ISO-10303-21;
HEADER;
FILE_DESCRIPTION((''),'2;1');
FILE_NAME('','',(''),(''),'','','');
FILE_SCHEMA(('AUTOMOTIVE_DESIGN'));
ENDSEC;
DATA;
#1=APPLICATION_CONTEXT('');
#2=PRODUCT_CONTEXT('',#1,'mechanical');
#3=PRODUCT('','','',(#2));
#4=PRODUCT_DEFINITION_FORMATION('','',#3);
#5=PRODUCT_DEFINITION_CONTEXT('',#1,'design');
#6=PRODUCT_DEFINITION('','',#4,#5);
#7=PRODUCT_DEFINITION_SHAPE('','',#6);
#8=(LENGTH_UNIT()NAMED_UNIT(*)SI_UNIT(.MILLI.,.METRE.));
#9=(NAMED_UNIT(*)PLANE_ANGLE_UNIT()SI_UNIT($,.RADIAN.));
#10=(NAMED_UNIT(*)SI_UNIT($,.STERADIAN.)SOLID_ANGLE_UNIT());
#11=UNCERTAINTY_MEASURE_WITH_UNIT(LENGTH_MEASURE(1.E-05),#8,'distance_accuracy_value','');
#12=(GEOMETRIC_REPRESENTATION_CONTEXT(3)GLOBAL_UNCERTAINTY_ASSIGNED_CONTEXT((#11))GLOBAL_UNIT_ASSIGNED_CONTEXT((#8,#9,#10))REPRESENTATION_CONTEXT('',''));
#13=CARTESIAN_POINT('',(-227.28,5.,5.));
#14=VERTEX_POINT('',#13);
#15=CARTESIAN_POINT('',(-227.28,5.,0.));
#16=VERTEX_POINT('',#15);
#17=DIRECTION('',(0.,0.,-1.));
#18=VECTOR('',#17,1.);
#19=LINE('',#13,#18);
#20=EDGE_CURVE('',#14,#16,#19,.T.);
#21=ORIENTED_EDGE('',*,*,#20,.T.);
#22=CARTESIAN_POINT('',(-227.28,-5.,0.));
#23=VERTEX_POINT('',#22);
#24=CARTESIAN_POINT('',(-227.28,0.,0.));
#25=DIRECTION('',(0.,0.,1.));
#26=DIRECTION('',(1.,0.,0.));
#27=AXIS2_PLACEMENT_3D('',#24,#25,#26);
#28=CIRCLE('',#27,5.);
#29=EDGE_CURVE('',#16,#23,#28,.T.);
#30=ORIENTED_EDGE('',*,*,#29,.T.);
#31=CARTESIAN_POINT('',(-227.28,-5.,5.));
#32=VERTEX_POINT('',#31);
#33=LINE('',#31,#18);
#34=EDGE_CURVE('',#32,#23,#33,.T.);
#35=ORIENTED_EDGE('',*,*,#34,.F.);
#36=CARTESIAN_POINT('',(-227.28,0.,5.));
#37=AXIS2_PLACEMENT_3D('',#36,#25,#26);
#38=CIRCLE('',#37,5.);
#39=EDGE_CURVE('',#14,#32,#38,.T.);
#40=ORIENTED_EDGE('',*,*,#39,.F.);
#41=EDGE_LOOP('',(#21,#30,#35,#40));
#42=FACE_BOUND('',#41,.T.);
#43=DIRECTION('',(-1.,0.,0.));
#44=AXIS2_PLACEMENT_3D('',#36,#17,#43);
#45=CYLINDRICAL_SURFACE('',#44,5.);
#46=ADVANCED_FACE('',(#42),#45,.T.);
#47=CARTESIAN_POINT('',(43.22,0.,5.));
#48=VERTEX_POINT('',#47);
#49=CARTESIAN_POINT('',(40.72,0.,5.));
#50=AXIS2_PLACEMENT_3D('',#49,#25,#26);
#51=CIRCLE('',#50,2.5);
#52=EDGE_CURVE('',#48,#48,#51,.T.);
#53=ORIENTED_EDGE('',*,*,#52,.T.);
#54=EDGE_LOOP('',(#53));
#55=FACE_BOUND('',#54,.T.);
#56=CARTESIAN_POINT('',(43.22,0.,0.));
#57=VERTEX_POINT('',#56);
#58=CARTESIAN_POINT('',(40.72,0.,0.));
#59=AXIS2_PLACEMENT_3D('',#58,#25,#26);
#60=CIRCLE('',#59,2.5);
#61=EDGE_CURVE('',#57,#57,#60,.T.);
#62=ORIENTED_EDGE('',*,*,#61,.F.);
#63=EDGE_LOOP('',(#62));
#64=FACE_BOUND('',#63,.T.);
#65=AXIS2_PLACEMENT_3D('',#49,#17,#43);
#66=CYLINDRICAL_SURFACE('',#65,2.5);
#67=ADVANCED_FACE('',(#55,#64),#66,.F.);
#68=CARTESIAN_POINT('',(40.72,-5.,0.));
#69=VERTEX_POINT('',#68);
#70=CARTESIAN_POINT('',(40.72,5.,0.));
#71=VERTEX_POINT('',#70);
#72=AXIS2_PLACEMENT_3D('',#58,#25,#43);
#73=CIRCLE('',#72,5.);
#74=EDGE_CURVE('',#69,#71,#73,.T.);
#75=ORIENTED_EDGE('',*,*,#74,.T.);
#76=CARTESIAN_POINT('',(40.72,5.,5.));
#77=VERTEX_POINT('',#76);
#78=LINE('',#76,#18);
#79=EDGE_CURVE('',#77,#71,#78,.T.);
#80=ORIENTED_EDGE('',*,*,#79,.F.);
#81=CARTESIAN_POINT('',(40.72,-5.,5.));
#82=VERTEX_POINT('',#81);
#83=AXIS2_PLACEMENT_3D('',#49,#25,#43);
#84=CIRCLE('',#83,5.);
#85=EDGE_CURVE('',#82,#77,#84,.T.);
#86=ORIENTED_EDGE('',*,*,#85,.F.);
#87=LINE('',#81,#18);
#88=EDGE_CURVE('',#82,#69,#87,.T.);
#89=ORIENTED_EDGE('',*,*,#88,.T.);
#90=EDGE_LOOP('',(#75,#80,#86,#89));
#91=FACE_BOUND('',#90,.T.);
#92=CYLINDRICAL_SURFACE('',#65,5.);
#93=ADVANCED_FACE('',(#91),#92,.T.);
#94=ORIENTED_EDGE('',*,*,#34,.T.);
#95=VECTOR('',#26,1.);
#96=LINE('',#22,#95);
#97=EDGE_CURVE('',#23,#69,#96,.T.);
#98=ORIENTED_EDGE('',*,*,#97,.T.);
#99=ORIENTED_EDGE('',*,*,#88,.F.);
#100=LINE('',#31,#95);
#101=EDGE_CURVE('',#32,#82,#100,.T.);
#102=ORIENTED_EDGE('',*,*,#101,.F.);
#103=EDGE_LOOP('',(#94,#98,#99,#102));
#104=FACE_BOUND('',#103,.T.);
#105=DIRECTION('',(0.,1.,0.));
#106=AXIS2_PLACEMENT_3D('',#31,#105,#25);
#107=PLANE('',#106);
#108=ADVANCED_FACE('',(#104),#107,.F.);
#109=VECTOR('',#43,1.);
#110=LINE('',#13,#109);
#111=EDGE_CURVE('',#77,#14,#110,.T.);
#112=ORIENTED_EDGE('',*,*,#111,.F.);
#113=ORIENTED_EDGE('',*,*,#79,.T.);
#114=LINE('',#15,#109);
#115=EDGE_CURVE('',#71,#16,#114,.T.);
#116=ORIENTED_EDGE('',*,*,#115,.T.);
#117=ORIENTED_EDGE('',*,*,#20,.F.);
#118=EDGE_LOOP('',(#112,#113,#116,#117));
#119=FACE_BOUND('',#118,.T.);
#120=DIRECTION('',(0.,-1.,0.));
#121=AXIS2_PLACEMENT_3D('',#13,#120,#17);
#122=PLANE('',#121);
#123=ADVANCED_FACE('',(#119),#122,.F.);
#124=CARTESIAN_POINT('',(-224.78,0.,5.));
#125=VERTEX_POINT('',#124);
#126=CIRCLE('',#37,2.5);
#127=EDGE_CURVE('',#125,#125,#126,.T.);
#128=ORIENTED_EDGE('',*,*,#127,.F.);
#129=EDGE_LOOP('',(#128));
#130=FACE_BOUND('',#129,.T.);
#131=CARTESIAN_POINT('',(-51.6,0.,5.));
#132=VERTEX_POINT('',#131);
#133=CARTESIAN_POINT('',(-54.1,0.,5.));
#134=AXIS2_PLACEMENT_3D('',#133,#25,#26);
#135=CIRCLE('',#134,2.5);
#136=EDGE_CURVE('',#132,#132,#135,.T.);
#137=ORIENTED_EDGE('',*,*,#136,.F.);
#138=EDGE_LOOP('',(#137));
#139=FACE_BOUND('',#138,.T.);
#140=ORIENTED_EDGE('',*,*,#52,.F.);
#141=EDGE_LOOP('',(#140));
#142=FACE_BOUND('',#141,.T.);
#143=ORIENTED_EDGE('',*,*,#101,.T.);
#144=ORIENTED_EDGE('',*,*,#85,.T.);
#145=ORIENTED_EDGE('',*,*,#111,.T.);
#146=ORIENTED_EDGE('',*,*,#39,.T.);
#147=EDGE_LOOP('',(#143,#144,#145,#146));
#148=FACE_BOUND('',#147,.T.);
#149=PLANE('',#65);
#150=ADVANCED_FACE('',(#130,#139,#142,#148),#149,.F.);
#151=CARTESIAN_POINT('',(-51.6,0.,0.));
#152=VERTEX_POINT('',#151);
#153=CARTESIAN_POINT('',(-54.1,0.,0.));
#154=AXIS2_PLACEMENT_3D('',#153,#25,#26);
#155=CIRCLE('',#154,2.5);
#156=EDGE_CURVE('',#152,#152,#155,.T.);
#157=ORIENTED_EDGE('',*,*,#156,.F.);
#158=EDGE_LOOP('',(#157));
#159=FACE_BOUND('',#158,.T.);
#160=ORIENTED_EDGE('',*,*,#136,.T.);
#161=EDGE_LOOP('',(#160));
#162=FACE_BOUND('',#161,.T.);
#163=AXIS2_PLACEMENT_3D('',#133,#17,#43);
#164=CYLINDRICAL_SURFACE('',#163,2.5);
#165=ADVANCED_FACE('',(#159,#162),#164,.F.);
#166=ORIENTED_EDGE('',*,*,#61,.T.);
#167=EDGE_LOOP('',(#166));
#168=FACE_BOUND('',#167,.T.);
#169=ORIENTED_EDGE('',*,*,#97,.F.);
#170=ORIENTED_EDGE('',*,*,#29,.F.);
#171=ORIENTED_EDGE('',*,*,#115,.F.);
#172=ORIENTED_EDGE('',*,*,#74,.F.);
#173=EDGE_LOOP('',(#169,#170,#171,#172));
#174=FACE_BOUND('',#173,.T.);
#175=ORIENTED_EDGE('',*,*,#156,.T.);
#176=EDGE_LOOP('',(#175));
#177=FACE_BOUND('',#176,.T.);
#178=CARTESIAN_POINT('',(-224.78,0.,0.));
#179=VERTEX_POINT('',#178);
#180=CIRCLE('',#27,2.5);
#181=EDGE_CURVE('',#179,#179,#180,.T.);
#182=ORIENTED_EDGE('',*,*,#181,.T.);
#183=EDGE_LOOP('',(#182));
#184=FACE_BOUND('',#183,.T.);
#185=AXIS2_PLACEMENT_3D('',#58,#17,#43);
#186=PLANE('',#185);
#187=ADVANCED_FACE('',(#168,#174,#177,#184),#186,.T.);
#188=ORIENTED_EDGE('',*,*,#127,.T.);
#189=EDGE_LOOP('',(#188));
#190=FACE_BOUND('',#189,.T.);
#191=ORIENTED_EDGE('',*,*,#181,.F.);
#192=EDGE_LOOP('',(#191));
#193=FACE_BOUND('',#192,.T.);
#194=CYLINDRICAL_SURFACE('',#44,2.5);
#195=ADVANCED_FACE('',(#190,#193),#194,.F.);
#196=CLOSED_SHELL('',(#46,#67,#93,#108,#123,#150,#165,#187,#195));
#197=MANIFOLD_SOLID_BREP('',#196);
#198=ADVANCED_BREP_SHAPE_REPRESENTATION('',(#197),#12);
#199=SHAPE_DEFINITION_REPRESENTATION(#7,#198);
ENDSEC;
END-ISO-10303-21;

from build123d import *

# Parameters (mm, degrees)
ESBO_O1_R                = 2.5
RESSALTO_EXTRUS_O1_DEPTH = 5


with BuildPart() as part:
    # Esboço1 → Ressalto-extrusão1 (new body)
    with BuildSketch(Plane.XY):
        with BuildLine():
            Line((-227.28, 5), (40.72, 5))
            ThreePointArc((40.72, 5), (45.72, 0), (40.72, -5))
            Line((40.72, -5), (-227.28, -5))
            ThreePointArc((-227.28, -5), (-232.28, 0), (-227.28, 5))
        make_face()
        with Locations((-227.28, 0)):
            Circle(ESBO_O1_R, mode=Mode.SUBTRACT)
        with Locations((40.72, 0)):
            Circle(ESBO_O1_R, mode=Mode.SUBTRACT)
        with Locations((-54.1, 0)):
            Circle(ESBO_O1_R, mode=Mode.SUBTRACT)
    extrude(amount=RESSALTO_EXTRUS_O1_DEPTH)


solid = part.part
